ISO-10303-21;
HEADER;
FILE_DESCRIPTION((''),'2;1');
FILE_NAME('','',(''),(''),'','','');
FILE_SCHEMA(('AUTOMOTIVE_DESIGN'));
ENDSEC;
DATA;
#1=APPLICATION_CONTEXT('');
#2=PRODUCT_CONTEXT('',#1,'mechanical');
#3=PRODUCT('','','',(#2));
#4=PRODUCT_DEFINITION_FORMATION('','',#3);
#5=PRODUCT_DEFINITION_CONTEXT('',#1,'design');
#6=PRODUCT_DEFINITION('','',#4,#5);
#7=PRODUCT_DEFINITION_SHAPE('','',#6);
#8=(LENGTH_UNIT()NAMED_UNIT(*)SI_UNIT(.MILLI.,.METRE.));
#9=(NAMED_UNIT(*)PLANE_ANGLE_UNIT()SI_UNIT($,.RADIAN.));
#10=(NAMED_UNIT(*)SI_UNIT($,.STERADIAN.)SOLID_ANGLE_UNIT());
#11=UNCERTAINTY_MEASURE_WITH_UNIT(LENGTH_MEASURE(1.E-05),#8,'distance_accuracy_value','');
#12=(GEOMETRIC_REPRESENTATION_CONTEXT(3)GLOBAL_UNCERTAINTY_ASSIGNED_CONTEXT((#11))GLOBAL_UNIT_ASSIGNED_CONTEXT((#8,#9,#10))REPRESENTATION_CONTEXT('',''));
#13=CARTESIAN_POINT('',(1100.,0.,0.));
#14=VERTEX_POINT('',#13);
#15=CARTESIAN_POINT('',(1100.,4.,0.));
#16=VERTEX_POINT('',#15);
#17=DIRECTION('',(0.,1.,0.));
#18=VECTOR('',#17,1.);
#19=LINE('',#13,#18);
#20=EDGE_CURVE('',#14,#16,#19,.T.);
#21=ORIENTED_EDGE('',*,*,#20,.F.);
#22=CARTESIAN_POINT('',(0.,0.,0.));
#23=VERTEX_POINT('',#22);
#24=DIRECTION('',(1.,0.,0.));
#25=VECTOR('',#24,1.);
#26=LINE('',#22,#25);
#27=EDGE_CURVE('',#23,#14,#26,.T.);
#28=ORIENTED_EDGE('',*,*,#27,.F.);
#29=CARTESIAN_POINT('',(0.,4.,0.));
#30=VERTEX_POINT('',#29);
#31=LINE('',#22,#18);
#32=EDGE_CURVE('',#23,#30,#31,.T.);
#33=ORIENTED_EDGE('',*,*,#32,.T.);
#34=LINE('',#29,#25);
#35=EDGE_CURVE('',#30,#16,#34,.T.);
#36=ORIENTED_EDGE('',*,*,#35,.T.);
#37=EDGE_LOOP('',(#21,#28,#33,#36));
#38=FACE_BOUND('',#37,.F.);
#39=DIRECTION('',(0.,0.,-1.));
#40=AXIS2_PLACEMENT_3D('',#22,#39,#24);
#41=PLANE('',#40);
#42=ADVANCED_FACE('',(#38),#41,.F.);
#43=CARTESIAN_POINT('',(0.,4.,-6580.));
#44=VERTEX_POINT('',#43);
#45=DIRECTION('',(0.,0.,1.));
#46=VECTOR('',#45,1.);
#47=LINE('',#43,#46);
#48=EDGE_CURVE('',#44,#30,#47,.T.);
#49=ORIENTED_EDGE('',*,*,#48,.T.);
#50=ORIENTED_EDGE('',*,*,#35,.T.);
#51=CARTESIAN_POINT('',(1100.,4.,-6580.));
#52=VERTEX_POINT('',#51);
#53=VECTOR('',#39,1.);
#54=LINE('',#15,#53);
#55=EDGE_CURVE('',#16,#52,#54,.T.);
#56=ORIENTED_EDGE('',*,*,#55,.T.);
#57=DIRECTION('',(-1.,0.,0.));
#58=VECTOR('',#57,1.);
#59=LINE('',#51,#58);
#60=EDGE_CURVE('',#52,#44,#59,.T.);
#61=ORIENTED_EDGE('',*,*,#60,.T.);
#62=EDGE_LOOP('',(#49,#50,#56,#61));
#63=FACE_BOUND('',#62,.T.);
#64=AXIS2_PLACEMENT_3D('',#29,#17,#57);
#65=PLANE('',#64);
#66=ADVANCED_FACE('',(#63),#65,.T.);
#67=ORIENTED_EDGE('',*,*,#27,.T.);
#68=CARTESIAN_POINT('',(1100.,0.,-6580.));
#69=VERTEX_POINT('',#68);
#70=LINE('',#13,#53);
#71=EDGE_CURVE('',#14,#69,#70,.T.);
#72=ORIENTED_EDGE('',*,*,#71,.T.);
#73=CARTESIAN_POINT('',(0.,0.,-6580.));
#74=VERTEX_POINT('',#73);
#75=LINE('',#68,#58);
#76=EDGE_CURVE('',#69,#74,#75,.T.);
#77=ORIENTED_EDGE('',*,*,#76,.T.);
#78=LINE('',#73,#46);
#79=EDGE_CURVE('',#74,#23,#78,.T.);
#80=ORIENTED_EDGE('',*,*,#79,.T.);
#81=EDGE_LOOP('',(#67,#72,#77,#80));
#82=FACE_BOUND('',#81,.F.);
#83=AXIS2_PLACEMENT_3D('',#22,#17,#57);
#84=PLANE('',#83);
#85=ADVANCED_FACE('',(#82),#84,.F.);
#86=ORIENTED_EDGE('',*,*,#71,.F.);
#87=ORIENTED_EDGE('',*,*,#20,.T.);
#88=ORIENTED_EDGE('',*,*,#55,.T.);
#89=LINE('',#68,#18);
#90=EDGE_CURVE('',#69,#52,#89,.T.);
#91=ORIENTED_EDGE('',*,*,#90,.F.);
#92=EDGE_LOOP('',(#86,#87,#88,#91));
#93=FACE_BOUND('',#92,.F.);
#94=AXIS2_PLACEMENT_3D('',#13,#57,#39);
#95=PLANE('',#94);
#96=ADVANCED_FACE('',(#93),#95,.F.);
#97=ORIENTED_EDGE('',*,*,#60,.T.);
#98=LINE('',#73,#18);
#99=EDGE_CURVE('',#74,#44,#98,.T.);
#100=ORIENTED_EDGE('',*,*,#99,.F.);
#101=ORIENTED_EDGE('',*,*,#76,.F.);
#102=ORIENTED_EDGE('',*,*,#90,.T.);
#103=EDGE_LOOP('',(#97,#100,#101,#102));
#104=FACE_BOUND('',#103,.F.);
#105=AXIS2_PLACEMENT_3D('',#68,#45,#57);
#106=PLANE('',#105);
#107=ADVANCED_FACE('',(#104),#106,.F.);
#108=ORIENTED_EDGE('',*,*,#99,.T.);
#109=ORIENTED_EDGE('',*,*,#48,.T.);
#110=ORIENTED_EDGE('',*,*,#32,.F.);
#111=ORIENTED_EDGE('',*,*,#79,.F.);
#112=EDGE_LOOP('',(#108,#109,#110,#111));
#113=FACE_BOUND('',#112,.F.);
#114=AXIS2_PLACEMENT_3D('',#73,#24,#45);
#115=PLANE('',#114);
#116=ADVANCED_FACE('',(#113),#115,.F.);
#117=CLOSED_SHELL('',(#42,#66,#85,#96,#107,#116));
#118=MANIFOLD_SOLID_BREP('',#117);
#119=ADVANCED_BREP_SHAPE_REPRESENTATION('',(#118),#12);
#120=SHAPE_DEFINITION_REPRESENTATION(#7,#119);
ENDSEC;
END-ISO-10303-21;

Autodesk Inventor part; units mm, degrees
ref_plane "YZ Plane" through (0, 0, 0) normal (1, 0, 0) x (0, 1, 0)
ref_plane "XZ Plane" through (0, 0, 0) normal (0, 1, 0) x (-1, 0, 0)
ref_plane "XY Plane" through (0, 0, 0) normal (0, 0, 1) x (1, 0, 0)
sketch "Sketch1" plane through (0, 0, 0) normal (0, 1, 0) x (-1, 0, 0)
  line L0 (0, 0) -> (-1100, 0)
  line L1 (-1100, 0) -> (-1100, -6580)
  line L2 (-1100, -6580) -> (0, -6580)
  line L3 (0, -6580) -> (0, 0)
  dimension "d0" = 1100
  dimension "d1" = 6580
extrude "Plate1" add sketch "Sketch1" along normal blind 4
equation "\"d2\" = Thickness"
equation "\"BendRadius\" = Thickness"
equation "\"BendReliefWidth\" = Thickness"
equation "\"BendReliefDepth\" = 0.5 * Thickness"
equation "\"CornerReliefSize\" = 4 * Thickness"
equation "\"MinimumRemnant\" = 2 * Thickness"
equation "\"TransitionRadius\" = BendRadius"
equation "\"JacobiRadiusSize\" = BendRadius"
equation "\"GapSize\" = Thickness"
equation "\"Thickness\" = 4"
properties part number "Floor, Loft" material "Aluminum 6061"
